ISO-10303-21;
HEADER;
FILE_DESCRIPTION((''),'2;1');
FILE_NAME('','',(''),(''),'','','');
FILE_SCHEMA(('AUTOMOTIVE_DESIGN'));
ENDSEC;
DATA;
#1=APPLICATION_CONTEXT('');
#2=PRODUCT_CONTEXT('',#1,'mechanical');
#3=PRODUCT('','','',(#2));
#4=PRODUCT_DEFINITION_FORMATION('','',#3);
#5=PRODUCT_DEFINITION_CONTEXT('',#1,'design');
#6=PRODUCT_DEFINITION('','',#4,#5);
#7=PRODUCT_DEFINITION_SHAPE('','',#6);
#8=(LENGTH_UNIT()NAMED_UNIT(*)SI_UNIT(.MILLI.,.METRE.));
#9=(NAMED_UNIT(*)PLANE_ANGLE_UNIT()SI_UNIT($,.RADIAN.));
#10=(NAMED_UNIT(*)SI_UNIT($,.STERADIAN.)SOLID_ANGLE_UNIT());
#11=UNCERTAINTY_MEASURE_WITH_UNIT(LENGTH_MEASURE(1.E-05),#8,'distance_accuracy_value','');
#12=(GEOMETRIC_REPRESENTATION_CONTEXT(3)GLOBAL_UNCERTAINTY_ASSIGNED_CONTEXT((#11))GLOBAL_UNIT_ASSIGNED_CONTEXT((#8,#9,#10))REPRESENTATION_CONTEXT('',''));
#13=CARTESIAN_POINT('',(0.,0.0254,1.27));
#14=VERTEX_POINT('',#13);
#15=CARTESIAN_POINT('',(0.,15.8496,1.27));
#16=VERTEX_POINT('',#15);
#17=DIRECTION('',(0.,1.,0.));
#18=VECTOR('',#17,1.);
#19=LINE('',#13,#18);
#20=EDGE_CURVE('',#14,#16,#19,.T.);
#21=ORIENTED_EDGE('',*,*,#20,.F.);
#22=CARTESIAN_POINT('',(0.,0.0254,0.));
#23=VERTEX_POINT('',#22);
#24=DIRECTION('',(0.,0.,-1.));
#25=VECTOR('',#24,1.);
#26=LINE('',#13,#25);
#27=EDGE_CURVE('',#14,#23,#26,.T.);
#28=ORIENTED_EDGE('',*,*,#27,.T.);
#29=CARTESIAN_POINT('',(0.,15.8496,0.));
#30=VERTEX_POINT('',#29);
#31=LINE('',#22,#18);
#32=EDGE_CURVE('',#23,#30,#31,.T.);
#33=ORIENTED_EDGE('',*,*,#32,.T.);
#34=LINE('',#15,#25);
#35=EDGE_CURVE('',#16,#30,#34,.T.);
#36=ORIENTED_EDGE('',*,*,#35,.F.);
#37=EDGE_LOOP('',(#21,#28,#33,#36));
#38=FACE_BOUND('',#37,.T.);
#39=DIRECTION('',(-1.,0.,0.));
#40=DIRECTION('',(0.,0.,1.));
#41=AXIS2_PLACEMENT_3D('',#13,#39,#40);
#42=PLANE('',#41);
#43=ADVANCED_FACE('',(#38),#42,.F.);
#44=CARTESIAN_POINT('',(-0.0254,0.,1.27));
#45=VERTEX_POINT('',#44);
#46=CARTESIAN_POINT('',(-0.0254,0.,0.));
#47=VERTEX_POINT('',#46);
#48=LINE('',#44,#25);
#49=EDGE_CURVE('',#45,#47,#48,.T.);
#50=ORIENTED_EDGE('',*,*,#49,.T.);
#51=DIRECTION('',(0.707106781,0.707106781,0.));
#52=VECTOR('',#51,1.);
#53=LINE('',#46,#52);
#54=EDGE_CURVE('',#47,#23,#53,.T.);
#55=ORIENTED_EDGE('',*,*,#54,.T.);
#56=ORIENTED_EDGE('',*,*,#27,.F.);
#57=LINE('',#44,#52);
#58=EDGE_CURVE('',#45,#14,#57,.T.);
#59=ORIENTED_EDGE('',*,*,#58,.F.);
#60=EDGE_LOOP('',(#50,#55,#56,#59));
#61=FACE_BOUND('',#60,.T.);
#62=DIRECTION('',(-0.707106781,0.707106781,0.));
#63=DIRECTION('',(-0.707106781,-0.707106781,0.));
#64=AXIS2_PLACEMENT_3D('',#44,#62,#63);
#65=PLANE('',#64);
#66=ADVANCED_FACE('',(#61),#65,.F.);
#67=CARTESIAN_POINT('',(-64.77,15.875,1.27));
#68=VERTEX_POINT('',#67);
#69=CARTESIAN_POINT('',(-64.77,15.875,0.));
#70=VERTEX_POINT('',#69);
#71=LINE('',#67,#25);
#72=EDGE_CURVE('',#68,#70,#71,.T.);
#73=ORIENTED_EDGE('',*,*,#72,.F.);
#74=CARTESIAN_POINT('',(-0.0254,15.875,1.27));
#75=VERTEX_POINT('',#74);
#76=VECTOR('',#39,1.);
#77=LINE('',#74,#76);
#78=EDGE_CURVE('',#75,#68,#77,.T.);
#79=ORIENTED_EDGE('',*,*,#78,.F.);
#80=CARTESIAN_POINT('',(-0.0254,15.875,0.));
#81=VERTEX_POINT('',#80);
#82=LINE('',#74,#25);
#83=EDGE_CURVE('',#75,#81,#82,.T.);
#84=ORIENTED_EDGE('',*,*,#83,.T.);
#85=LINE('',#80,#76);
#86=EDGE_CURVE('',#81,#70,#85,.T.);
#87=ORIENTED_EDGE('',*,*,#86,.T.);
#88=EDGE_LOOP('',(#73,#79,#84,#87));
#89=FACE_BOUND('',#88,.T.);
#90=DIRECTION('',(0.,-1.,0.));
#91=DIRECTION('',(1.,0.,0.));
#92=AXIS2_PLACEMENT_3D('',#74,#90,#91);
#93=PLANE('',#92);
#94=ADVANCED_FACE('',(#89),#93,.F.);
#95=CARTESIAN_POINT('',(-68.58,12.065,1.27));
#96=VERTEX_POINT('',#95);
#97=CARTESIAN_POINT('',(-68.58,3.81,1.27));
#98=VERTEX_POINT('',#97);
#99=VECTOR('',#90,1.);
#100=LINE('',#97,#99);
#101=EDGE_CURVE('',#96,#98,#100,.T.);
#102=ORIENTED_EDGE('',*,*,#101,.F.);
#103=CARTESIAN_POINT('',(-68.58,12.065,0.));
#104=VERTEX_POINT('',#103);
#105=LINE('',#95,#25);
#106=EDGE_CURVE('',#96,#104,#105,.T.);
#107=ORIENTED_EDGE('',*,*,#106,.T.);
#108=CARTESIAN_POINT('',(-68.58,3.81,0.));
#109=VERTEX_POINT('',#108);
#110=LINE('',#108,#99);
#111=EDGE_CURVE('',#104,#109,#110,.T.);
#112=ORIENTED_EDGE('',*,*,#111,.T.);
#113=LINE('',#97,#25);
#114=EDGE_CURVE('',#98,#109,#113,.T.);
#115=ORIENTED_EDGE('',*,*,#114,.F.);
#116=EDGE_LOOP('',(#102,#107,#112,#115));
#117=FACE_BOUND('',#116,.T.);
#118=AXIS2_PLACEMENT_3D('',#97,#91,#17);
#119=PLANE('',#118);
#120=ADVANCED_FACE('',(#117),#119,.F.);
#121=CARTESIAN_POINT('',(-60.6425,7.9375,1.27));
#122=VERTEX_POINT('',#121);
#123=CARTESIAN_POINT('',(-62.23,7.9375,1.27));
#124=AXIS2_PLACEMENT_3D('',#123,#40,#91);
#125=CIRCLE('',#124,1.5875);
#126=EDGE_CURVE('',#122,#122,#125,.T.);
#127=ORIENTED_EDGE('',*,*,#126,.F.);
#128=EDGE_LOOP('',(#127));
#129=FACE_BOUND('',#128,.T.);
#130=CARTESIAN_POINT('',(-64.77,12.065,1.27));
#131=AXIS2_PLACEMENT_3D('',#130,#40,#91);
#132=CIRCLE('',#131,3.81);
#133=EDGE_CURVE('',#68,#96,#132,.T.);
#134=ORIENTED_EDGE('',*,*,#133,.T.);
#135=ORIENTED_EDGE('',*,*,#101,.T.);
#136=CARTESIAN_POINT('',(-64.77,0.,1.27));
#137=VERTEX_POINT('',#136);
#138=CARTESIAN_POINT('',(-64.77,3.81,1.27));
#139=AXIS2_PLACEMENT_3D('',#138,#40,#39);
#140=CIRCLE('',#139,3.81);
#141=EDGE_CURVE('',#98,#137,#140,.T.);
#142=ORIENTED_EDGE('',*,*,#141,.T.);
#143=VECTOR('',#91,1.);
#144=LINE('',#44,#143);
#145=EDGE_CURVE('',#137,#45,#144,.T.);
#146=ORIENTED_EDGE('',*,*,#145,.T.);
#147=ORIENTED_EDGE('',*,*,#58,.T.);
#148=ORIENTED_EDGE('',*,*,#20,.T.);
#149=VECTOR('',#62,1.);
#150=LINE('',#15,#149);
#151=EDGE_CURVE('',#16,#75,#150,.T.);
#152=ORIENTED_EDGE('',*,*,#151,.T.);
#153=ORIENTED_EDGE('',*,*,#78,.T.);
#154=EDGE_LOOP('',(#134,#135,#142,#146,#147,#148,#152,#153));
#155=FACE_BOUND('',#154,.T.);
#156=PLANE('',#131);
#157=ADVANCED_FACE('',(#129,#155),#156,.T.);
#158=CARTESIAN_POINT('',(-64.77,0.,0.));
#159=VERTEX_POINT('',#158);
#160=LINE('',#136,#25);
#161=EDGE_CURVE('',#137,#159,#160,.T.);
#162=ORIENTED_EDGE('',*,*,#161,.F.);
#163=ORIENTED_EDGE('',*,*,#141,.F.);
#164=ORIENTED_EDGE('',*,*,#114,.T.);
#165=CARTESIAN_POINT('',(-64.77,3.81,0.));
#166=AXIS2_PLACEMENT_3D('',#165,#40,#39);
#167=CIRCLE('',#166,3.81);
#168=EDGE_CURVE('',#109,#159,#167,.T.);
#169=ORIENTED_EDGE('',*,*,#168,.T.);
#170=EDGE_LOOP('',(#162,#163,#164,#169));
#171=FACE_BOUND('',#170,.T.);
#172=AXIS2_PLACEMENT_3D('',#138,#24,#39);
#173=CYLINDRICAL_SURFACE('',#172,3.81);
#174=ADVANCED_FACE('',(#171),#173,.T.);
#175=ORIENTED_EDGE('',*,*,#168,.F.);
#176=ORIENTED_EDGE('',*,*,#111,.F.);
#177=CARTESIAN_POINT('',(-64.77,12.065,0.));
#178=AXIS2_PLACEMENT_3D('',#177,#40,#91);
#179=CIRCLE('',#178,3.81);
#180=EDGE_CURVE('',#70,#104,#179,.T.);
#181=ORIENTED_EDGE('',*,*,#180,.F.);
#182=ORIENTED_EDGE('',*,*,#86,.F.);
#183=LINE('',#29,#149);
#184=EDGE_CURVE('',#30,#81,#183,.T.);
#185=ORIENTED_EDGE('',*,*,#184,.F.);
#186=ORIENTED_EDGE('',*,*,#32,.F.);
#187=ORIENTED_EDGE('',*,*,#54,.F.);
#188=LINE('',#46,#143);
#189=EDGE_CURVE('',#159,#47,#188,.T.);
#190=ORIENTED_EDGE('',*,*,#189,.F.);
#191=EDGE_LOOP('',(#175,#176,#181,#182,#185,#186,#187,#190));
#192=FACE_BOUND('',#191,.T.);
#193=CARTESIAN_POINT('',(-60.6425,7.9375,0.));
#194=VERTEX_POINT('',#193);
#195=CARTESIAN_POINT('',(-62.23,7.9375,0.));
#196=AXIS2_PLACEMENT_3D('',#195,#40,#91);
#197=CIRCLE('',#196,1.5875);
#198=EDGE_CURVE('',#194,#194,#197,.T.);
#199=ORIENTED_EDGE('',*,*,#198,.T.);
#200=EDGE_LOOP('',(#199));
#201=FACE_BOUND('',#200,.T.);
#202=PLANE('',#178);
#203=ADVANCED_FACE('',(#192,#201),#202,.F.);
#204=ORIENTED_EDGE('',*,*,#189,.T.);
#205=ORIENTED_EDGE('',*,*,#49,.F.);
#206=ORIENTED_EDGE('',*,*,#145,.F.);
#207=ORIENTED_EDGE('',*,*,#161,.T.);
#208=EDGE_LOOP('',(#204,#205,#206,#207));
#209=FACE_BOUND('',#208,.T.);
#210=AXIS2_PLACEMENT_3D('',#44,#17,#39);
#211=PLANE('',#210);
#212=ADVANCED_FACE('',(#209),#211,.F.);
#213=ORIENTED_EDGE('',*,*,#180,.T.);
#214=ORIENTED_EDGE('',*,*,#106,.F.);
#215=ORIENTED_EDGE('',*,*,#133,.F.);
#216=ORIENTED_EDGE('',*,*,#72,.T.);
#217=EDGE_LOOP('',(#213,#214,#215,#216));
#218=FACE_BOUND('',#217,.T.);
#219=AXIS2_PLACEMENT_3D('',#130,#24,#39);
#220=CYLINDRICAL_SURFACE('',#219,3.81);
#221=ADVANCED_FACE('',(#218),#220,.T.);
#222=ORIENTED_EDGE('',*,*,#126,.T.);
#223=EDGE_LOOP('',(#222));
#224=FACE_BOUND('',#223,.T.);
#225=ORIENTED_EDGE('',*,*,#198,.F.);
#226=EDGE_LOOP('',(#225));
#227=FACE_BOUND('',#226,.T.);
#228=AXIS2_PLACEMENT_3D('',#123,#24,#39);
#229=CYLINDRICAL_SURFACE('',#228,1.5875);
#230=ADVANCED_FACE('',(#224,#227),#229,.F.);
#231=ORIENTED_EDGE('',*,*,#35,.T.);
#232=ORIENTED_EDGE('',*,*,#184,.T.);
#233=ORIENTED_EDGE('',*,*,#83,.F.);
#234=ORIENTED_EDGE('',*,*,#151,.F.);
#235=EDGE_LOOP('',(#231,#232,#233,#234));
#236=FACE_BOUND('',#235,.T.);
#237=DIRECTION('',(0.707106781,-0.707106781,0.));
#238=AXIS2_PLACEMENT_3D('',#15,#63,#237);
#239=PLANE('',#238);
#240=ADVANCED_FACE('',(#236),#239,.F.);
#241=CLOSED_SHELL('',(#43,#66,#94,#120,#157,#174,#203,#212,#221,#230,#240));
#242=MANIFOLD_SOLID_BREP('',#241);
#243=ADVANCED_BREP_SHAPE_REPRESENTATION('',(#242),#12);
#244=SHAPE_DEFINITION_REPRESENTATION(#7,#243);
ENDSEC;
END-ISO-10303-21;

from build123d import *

# Parameters (mm, degrees)
SKETCH1_R      = 1.5875
EXTRUDE1_DEPTH = 1.27


with BuildPart() as part:
    # Sketch1 → Extrude1 (new body)
    with BuildSketch(Plane.XY):
        with BuildLine():
            Line((0, 15.8496), (-0.0254, 15.875))
            Line((-0.0254, 15.875), (-64.77, 15.875))
            ThreePointArc((-64.77, 15.875), (-67.464076836, 14.759076836), (-68.58, 12.065))
            Line((-68.58, 12.065), (-68.58, 3.81))
            ThreePointArc((-68.58, 3.81), (-67.464076836, 1.115923164), (-64.77, 0))
            Line((-64.77, 0), (-0.0254, 0))
            Line((-0.0254, 0), (0, 0.0254))
            Line((0, 0.0254), (0, 15.8496))
        make_face()
        with Locations((-62.23, 7.9375)):
            Circle(SKETCH1_R, mode=Mode.SUBTRACT)
    extrude(amount=EXTRUDE1_DEPTH)


solid = part.part
